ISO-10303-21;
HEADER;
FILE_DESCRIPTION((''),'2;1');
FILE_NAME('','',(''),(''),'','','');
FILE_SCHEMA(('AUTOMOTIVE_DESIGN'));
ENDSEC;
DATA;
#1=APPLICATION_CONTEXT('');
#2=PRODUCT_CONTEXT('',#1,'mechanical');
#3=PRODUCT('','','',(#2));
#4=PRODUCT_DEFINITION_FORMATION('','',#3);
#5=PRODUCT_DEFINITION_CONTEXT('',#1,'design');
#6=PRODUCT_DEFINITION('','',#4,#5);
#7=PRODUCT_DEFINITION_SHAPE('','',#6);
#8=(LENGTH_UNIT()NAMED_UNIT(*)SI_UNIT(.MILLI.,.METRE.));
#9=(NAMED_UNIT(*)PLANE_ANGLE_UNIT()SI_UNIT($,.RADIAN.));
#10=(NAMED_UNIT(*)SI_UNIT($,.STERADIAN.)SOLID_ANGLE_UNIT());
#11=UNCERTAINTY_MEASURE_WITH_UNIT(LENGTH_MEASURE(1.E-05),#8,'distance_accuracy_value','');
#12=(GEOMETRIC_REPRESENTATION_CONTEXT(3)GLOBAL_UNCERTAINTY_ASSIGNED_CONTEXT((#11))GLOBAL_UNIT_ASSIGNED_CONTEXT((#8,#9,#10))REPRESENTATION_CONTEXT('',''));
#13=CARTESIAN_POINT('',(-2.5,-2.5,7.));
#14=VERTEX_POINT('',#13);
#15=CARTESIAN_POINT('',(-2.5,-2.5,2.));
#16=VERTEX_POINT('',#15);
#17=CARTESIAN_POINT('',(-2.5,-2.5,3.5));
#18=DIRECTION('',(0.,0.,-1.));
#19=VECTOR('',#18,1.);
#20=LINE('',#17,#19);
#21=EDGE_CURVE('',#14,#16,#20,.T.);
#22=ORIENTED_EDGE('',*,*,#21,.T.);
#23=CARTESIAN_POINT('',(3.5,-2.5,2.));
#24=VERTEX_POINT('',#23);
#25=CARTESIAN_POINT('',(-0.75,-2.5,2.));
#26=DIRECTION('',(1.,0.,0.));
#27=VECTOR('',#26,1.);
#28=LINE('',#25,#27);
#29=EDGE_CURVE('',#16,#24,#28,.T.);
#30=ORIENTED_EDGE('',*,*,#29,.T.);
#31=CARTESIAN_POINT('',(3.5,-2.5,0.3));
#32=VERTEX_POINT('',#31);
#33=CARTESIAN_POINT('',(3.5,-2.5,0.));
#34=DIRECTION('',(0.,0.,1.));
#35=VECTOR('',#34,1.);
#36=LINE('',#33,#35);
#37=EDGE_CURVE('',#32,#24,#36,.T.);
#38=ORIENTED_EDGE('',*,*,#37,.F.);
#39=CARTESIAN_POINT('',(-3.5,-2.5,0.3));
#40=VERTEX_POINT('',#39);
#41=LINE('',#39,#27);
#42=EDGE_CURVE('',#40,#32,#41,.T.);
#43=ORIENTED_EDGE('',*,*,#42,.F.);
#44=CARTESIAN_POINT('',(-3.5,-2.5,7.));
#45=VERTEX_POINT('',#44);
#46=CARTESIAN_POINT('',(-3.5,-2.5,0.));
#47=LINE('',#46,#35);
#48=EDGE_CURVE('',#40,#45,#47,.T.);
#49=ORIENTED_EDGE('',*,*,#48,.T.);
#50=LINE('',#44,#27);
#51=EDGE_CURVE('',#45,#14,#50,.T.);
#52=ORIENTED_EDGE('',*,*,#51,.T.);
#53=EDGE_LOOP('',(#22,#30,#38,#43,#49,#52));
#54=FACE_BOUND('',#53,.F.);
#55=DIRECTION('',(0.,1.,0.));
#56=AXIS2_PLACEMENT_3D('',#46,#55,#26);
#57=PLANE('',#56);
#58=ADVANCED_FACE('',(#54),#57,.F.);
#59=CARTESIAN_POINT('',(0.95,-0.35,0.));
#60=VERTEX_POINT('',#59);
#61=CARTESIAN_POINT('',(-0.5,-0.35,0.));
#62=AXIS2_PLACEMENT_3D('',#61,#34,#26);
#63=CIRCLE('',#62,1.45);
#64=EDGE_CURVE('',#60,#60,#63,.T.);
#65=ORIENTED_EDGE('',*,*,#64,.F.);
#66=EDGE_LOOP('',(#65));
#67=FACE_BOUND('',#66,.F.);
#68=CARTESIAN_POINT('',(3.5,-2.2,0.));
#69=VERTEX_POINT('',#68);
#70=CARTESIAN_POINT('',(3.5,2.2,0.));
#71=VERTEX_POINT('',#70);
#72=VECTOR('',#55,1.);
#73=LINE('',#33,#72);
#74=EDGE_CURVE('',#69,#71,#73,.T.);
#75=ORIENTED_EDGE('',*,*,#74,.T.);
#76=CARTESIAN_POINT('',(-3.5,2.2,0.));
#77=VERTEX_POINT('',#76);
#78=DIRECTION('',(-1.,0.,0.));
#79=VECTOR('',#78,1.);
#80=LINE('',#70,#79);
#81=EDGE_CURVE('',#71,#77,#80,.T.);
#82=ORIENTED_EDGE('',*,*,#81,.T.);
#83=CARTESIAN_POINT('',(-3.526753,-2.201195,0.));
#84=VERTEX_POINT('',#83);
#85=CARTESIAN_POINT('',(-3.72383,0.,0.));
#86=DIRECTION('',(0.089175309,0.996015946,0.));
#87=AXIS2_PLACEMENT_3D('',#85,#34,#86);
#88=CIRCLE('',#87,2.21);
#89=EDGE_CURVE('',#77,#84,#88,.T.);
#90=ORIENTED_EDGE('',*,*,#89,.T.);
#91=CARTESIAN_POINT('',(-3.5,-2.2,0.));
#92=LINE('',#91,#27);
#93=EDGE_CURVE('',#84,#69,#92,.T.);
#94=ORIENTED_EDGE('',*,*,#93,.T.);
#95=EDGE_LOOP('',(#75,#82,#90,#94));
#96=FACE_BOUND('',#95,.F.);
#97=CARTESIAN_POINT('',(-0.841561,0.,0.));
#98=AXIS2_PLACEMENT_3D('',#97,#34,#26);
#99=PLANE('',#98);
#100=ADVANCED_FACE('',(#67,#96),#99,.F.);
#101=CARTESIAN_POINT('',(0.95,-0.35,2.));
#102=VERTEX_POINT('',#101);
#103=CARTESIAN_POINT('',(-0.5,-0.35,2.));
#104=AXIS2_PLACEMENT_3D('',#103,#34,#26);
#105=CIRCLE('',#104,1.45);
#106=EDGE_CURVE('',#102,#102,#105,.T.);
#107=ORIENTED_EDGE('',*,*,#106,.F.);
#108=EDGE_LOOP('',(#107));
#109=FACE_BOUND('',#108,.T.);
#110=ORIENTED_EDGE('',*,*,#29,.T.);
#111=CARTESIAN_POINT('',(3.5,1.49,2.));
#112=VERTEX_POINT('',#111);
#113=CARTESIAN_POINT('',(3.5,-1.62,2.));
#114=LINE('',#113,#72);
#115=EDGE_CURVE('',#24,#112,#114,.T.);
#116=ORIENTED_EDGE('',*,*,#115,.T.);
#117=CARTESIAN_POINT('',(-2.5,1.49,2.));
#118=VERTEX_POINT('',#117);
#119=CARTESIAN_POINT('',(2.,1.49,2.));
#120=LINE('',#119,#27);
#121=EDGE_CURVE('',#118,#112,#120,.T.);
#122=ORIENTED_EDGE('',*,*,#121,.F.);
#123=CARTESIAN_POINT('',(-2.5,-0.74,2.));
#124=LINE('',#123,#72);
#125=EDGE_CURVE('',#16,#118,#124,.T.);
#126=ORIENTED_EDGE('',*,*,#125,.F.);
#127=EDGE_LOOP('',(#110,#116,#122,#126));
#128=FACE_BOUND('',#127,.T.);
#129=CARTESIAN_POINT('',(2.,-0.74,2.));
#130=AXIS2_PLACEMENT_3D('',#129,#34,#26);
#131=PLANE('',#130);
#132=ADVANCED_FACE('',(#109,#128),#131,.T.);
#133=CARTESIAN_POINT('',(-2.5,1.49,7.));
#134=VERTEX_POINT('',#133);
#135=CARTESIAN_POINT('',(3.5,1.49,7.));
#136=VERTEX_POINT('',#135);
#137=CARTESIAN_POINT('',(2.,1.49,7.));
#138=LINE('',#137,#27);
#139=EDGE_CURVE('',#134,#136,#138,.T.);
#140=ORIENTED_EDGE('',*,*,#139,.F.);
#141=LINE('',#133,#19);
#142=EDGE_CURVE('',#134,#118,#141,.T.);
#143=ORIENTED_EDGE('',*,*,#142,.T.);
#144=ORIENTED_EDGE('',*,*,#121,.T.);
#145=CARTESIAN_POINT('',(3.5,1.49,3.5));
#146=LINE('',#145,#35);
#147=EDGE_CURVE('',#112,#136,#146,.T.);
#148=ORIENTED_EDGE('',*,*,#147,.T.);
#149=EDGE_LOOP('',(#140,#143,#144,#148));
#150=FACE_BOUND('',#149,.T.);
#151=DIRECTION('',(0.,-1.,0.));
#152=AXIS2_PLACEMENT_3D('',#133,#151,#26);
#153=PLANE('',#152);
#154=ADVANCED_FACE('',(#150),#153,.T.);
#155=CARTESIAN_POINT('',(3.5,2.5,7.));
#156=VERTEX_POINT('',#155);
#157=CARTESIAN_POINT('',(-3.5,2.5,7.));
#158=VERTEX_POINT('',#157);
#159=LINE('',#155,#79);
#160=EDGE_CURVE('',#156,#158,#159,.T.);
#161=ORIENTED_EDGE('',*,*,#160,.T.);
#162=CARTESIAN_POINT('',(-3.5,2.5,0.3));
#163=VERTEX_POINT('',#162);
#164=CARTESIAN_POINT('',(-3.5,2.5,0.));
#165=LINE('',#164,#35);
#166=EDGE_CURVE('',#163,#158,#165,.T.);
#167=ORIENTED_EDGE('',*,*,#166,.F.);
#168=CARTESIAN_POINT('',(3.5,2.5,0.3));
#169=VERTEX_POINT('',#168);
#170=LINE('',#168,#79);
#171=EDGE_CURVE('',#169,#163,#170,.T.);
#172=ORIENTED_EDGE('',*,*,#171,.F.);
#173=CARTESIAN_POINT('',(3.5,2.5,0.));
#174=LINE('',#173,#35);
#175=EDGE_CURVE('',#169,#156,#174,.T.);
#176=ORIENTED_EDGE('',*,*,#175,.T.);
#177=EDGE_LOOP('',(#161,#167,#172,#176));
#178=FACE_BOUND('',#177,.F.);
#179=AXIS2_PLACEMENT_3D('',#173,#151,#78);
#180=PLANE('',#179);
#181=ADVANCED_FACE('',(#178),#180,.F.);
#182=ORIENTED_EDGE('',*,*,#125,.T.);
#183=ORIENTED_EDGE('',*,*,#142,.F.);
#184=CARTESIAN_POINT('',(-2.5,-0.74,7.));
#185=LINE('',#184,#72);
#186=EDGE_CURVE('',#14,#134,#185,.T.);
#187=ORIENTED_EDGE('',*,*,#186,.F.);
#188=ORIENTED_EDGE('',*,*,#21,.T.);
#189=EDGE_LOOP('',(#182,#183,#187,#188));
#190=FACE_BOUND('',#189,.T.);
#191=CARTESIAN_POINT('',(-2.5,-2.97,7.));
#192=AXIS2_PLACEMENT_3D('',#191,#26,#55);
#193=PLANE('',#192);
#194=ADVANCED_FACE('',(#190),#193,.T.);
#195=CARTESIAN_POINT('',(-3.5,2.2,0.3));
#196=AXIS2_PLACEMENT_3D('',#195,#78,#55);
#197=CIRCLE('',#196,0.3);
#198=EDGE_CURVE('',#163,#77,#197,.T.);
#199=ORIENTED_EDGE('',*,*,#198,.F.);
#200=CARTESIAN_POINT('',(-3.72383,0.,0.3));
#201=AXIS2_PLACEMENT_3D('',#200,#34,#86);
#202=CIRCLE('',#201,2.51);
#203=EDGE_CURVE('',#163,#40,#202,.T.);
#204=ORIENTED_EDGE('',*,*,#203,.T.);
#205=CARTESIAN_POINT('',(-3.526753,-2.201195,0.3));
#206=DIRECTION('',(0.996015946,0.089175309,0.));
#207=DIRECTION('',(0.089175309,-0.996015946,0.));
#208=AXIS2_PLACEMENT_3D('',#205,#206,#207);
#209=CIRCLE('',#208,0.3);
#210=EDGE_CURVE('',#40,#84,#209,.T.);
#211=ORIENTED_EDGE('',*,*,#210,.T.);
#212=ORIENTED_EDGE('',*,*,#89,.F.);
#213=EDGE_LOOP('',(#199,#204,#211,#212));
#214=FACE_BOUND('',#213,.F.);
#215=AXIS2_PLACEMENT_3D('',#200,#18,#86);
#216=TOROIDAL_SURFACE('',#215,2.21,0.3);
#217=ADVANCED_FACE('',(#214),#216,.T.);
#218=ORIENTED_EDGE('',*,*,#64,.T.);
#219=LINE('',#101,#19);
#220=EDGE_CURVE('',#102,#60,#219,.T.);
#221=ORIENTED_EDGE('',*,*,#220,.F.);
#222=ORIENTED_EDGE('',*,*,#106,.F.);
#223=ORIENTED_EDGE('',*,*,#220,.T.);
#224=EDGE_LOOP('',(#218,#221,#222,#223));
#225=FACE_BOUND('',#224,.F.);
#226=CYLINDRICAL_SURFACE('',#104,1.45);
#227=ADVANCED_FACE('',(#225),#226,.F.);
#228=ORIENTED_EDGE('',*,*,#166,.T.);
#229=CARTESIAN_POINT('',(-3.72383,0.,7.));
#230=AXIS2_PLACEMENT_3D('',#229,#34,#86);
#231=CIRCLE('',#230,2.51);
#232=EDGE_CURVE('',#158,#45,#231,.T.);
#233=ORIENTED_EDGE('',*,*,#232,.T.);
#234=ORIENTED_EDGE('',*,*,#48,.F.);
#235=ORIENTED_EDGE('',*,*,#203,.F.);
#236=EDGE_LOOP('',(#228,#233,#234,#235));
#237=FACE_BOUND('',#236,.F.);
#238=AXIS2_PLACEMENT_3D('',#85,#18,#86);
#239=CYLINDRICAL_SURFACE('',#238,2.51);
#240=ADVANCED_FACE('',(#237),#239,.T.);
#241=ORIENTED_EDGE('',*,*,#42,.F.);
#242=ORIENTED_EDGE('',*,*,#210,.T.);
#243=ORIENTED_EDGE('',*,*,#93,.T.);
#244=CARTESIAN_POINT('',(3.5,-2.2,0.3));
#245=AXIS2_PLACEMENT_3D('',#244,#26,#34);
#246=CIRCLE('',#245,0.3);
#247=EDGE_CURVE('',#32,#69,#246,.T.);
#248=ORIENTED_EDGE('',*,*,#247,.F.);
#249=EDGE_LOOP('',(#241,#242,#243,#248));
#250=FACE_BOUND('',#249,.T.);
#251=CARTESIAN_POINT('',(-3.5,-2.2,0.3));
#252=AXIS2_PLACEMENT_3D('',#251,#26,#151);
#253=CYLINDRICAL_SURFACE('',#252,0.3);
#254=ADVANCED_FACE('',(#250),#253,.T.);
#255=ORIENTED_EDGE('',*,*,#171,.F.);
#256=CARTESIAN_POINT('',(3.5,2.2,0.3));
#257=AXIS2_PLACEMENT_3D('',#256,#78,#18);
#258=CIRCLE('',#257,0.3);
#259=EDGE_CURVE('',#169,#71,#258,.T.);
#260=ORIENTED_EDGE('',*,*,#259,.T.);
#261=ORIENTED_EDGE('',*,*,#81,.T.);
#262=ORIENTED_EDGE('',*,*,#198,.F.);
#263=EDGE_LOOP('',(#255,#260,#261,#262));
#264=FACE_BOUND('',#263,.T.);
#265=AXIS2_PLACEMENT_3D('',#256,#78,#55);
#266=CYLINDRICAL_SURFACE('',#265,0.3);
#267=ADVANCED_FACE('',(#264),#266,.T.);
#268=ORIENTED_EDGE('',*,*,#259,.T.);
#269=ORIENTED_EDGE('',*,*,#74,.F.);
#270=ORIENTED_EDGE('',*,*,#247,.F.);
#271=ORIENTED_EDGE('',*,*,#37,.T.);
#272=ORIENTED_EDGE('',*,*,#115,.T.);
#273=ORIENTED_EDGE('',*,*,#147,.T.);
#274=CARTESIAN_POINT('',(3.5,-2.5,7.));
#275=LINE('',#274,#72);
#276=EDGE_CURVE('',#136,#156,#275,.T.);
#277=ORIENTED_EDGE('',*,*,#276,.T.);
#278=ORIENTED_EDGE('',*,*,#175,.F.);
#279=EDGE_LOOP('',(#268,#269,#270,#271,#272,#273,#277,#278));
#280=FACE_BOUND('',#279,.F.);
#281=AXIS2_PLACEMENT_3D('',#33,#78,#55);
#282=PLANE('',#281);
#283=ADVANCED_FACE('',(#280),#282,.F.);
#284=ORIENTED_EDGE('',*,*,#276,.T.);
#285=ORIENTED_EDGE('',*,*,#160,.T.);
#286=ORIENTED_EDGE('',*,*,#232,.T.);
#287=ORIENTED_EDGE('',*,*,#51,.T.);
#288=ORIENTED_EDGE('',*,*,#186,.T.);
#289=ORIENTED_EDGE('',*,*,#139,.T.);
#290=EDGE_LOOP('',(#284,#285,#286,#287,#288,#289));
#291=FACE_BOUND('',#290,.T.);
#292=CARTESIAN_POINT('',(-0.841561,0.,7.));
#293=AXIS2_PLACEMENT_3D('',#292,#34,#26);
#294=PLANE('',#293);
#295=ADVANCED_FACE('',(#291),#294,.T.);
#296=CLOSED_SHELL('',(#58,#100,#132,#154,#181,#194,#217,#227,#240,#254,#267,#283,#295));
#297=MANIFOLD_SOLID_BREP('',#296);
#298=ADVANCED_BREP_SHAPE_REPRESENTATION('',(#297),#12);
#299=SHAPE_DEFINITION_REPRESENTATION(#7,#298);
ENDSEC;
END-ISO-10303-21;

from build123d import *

# Parameters (mm, degrees)
PAD_DEPTH       = 7
SKETCH001_W     = 9
SKETCH001_H     = 4.46
POCKET_DEPTH    = 5
FILLET_R        = 0.3
SKETCH002_R     = 1.45
POCKET001_DEPTH = 3


with BuildPart() as part:
    # Sketch → Pad (new body)
    with BuildSketch(Plane.XY):
        with BuildLine():
            Line((-3.5, -2.5), (3.5, -2.5))
            Line((3.5, -2.5), (3.5, 2.5))
            Line((3.5, 2.5), (-3.5, 2.5))
            ThreePointArc((-3.5, 2.5), (-6.23383, 0), (-3.5, -2.5))
        make_face()
    extrude(amount=PAD_DEPTH)

    # Sketch001 (on DatumPlane) → Pocket (cut)
    with BuildSketch(Plane.XY.offset(7)):
        with Locations((2, -0.74)):
            Rectangle(SKETCH001_W, SKETCH001_H)
    extrude(amount=-POCKET_DEPTH, mode=Mode.SUBTRACT)

    # Fillet
    fillet_edges = [part.edges().sort_by_distance(p)[0] for p in [
        (0, -2.5, 0),
    ]]
    fillet(fillet_edges, radius=FILLET_R)

    # Sketch002 (on DatumPlane) → Pocket001 (cut)
    with BuildSketch(Plane.XY.offset(2)):
        with Locations((-0.5, -0.35)):
            Circle(SKETCH002_R)
    extrude(amount=-POCKET001_DEPTH, mode=Mode.SUBTRACT)


solid = part.part
